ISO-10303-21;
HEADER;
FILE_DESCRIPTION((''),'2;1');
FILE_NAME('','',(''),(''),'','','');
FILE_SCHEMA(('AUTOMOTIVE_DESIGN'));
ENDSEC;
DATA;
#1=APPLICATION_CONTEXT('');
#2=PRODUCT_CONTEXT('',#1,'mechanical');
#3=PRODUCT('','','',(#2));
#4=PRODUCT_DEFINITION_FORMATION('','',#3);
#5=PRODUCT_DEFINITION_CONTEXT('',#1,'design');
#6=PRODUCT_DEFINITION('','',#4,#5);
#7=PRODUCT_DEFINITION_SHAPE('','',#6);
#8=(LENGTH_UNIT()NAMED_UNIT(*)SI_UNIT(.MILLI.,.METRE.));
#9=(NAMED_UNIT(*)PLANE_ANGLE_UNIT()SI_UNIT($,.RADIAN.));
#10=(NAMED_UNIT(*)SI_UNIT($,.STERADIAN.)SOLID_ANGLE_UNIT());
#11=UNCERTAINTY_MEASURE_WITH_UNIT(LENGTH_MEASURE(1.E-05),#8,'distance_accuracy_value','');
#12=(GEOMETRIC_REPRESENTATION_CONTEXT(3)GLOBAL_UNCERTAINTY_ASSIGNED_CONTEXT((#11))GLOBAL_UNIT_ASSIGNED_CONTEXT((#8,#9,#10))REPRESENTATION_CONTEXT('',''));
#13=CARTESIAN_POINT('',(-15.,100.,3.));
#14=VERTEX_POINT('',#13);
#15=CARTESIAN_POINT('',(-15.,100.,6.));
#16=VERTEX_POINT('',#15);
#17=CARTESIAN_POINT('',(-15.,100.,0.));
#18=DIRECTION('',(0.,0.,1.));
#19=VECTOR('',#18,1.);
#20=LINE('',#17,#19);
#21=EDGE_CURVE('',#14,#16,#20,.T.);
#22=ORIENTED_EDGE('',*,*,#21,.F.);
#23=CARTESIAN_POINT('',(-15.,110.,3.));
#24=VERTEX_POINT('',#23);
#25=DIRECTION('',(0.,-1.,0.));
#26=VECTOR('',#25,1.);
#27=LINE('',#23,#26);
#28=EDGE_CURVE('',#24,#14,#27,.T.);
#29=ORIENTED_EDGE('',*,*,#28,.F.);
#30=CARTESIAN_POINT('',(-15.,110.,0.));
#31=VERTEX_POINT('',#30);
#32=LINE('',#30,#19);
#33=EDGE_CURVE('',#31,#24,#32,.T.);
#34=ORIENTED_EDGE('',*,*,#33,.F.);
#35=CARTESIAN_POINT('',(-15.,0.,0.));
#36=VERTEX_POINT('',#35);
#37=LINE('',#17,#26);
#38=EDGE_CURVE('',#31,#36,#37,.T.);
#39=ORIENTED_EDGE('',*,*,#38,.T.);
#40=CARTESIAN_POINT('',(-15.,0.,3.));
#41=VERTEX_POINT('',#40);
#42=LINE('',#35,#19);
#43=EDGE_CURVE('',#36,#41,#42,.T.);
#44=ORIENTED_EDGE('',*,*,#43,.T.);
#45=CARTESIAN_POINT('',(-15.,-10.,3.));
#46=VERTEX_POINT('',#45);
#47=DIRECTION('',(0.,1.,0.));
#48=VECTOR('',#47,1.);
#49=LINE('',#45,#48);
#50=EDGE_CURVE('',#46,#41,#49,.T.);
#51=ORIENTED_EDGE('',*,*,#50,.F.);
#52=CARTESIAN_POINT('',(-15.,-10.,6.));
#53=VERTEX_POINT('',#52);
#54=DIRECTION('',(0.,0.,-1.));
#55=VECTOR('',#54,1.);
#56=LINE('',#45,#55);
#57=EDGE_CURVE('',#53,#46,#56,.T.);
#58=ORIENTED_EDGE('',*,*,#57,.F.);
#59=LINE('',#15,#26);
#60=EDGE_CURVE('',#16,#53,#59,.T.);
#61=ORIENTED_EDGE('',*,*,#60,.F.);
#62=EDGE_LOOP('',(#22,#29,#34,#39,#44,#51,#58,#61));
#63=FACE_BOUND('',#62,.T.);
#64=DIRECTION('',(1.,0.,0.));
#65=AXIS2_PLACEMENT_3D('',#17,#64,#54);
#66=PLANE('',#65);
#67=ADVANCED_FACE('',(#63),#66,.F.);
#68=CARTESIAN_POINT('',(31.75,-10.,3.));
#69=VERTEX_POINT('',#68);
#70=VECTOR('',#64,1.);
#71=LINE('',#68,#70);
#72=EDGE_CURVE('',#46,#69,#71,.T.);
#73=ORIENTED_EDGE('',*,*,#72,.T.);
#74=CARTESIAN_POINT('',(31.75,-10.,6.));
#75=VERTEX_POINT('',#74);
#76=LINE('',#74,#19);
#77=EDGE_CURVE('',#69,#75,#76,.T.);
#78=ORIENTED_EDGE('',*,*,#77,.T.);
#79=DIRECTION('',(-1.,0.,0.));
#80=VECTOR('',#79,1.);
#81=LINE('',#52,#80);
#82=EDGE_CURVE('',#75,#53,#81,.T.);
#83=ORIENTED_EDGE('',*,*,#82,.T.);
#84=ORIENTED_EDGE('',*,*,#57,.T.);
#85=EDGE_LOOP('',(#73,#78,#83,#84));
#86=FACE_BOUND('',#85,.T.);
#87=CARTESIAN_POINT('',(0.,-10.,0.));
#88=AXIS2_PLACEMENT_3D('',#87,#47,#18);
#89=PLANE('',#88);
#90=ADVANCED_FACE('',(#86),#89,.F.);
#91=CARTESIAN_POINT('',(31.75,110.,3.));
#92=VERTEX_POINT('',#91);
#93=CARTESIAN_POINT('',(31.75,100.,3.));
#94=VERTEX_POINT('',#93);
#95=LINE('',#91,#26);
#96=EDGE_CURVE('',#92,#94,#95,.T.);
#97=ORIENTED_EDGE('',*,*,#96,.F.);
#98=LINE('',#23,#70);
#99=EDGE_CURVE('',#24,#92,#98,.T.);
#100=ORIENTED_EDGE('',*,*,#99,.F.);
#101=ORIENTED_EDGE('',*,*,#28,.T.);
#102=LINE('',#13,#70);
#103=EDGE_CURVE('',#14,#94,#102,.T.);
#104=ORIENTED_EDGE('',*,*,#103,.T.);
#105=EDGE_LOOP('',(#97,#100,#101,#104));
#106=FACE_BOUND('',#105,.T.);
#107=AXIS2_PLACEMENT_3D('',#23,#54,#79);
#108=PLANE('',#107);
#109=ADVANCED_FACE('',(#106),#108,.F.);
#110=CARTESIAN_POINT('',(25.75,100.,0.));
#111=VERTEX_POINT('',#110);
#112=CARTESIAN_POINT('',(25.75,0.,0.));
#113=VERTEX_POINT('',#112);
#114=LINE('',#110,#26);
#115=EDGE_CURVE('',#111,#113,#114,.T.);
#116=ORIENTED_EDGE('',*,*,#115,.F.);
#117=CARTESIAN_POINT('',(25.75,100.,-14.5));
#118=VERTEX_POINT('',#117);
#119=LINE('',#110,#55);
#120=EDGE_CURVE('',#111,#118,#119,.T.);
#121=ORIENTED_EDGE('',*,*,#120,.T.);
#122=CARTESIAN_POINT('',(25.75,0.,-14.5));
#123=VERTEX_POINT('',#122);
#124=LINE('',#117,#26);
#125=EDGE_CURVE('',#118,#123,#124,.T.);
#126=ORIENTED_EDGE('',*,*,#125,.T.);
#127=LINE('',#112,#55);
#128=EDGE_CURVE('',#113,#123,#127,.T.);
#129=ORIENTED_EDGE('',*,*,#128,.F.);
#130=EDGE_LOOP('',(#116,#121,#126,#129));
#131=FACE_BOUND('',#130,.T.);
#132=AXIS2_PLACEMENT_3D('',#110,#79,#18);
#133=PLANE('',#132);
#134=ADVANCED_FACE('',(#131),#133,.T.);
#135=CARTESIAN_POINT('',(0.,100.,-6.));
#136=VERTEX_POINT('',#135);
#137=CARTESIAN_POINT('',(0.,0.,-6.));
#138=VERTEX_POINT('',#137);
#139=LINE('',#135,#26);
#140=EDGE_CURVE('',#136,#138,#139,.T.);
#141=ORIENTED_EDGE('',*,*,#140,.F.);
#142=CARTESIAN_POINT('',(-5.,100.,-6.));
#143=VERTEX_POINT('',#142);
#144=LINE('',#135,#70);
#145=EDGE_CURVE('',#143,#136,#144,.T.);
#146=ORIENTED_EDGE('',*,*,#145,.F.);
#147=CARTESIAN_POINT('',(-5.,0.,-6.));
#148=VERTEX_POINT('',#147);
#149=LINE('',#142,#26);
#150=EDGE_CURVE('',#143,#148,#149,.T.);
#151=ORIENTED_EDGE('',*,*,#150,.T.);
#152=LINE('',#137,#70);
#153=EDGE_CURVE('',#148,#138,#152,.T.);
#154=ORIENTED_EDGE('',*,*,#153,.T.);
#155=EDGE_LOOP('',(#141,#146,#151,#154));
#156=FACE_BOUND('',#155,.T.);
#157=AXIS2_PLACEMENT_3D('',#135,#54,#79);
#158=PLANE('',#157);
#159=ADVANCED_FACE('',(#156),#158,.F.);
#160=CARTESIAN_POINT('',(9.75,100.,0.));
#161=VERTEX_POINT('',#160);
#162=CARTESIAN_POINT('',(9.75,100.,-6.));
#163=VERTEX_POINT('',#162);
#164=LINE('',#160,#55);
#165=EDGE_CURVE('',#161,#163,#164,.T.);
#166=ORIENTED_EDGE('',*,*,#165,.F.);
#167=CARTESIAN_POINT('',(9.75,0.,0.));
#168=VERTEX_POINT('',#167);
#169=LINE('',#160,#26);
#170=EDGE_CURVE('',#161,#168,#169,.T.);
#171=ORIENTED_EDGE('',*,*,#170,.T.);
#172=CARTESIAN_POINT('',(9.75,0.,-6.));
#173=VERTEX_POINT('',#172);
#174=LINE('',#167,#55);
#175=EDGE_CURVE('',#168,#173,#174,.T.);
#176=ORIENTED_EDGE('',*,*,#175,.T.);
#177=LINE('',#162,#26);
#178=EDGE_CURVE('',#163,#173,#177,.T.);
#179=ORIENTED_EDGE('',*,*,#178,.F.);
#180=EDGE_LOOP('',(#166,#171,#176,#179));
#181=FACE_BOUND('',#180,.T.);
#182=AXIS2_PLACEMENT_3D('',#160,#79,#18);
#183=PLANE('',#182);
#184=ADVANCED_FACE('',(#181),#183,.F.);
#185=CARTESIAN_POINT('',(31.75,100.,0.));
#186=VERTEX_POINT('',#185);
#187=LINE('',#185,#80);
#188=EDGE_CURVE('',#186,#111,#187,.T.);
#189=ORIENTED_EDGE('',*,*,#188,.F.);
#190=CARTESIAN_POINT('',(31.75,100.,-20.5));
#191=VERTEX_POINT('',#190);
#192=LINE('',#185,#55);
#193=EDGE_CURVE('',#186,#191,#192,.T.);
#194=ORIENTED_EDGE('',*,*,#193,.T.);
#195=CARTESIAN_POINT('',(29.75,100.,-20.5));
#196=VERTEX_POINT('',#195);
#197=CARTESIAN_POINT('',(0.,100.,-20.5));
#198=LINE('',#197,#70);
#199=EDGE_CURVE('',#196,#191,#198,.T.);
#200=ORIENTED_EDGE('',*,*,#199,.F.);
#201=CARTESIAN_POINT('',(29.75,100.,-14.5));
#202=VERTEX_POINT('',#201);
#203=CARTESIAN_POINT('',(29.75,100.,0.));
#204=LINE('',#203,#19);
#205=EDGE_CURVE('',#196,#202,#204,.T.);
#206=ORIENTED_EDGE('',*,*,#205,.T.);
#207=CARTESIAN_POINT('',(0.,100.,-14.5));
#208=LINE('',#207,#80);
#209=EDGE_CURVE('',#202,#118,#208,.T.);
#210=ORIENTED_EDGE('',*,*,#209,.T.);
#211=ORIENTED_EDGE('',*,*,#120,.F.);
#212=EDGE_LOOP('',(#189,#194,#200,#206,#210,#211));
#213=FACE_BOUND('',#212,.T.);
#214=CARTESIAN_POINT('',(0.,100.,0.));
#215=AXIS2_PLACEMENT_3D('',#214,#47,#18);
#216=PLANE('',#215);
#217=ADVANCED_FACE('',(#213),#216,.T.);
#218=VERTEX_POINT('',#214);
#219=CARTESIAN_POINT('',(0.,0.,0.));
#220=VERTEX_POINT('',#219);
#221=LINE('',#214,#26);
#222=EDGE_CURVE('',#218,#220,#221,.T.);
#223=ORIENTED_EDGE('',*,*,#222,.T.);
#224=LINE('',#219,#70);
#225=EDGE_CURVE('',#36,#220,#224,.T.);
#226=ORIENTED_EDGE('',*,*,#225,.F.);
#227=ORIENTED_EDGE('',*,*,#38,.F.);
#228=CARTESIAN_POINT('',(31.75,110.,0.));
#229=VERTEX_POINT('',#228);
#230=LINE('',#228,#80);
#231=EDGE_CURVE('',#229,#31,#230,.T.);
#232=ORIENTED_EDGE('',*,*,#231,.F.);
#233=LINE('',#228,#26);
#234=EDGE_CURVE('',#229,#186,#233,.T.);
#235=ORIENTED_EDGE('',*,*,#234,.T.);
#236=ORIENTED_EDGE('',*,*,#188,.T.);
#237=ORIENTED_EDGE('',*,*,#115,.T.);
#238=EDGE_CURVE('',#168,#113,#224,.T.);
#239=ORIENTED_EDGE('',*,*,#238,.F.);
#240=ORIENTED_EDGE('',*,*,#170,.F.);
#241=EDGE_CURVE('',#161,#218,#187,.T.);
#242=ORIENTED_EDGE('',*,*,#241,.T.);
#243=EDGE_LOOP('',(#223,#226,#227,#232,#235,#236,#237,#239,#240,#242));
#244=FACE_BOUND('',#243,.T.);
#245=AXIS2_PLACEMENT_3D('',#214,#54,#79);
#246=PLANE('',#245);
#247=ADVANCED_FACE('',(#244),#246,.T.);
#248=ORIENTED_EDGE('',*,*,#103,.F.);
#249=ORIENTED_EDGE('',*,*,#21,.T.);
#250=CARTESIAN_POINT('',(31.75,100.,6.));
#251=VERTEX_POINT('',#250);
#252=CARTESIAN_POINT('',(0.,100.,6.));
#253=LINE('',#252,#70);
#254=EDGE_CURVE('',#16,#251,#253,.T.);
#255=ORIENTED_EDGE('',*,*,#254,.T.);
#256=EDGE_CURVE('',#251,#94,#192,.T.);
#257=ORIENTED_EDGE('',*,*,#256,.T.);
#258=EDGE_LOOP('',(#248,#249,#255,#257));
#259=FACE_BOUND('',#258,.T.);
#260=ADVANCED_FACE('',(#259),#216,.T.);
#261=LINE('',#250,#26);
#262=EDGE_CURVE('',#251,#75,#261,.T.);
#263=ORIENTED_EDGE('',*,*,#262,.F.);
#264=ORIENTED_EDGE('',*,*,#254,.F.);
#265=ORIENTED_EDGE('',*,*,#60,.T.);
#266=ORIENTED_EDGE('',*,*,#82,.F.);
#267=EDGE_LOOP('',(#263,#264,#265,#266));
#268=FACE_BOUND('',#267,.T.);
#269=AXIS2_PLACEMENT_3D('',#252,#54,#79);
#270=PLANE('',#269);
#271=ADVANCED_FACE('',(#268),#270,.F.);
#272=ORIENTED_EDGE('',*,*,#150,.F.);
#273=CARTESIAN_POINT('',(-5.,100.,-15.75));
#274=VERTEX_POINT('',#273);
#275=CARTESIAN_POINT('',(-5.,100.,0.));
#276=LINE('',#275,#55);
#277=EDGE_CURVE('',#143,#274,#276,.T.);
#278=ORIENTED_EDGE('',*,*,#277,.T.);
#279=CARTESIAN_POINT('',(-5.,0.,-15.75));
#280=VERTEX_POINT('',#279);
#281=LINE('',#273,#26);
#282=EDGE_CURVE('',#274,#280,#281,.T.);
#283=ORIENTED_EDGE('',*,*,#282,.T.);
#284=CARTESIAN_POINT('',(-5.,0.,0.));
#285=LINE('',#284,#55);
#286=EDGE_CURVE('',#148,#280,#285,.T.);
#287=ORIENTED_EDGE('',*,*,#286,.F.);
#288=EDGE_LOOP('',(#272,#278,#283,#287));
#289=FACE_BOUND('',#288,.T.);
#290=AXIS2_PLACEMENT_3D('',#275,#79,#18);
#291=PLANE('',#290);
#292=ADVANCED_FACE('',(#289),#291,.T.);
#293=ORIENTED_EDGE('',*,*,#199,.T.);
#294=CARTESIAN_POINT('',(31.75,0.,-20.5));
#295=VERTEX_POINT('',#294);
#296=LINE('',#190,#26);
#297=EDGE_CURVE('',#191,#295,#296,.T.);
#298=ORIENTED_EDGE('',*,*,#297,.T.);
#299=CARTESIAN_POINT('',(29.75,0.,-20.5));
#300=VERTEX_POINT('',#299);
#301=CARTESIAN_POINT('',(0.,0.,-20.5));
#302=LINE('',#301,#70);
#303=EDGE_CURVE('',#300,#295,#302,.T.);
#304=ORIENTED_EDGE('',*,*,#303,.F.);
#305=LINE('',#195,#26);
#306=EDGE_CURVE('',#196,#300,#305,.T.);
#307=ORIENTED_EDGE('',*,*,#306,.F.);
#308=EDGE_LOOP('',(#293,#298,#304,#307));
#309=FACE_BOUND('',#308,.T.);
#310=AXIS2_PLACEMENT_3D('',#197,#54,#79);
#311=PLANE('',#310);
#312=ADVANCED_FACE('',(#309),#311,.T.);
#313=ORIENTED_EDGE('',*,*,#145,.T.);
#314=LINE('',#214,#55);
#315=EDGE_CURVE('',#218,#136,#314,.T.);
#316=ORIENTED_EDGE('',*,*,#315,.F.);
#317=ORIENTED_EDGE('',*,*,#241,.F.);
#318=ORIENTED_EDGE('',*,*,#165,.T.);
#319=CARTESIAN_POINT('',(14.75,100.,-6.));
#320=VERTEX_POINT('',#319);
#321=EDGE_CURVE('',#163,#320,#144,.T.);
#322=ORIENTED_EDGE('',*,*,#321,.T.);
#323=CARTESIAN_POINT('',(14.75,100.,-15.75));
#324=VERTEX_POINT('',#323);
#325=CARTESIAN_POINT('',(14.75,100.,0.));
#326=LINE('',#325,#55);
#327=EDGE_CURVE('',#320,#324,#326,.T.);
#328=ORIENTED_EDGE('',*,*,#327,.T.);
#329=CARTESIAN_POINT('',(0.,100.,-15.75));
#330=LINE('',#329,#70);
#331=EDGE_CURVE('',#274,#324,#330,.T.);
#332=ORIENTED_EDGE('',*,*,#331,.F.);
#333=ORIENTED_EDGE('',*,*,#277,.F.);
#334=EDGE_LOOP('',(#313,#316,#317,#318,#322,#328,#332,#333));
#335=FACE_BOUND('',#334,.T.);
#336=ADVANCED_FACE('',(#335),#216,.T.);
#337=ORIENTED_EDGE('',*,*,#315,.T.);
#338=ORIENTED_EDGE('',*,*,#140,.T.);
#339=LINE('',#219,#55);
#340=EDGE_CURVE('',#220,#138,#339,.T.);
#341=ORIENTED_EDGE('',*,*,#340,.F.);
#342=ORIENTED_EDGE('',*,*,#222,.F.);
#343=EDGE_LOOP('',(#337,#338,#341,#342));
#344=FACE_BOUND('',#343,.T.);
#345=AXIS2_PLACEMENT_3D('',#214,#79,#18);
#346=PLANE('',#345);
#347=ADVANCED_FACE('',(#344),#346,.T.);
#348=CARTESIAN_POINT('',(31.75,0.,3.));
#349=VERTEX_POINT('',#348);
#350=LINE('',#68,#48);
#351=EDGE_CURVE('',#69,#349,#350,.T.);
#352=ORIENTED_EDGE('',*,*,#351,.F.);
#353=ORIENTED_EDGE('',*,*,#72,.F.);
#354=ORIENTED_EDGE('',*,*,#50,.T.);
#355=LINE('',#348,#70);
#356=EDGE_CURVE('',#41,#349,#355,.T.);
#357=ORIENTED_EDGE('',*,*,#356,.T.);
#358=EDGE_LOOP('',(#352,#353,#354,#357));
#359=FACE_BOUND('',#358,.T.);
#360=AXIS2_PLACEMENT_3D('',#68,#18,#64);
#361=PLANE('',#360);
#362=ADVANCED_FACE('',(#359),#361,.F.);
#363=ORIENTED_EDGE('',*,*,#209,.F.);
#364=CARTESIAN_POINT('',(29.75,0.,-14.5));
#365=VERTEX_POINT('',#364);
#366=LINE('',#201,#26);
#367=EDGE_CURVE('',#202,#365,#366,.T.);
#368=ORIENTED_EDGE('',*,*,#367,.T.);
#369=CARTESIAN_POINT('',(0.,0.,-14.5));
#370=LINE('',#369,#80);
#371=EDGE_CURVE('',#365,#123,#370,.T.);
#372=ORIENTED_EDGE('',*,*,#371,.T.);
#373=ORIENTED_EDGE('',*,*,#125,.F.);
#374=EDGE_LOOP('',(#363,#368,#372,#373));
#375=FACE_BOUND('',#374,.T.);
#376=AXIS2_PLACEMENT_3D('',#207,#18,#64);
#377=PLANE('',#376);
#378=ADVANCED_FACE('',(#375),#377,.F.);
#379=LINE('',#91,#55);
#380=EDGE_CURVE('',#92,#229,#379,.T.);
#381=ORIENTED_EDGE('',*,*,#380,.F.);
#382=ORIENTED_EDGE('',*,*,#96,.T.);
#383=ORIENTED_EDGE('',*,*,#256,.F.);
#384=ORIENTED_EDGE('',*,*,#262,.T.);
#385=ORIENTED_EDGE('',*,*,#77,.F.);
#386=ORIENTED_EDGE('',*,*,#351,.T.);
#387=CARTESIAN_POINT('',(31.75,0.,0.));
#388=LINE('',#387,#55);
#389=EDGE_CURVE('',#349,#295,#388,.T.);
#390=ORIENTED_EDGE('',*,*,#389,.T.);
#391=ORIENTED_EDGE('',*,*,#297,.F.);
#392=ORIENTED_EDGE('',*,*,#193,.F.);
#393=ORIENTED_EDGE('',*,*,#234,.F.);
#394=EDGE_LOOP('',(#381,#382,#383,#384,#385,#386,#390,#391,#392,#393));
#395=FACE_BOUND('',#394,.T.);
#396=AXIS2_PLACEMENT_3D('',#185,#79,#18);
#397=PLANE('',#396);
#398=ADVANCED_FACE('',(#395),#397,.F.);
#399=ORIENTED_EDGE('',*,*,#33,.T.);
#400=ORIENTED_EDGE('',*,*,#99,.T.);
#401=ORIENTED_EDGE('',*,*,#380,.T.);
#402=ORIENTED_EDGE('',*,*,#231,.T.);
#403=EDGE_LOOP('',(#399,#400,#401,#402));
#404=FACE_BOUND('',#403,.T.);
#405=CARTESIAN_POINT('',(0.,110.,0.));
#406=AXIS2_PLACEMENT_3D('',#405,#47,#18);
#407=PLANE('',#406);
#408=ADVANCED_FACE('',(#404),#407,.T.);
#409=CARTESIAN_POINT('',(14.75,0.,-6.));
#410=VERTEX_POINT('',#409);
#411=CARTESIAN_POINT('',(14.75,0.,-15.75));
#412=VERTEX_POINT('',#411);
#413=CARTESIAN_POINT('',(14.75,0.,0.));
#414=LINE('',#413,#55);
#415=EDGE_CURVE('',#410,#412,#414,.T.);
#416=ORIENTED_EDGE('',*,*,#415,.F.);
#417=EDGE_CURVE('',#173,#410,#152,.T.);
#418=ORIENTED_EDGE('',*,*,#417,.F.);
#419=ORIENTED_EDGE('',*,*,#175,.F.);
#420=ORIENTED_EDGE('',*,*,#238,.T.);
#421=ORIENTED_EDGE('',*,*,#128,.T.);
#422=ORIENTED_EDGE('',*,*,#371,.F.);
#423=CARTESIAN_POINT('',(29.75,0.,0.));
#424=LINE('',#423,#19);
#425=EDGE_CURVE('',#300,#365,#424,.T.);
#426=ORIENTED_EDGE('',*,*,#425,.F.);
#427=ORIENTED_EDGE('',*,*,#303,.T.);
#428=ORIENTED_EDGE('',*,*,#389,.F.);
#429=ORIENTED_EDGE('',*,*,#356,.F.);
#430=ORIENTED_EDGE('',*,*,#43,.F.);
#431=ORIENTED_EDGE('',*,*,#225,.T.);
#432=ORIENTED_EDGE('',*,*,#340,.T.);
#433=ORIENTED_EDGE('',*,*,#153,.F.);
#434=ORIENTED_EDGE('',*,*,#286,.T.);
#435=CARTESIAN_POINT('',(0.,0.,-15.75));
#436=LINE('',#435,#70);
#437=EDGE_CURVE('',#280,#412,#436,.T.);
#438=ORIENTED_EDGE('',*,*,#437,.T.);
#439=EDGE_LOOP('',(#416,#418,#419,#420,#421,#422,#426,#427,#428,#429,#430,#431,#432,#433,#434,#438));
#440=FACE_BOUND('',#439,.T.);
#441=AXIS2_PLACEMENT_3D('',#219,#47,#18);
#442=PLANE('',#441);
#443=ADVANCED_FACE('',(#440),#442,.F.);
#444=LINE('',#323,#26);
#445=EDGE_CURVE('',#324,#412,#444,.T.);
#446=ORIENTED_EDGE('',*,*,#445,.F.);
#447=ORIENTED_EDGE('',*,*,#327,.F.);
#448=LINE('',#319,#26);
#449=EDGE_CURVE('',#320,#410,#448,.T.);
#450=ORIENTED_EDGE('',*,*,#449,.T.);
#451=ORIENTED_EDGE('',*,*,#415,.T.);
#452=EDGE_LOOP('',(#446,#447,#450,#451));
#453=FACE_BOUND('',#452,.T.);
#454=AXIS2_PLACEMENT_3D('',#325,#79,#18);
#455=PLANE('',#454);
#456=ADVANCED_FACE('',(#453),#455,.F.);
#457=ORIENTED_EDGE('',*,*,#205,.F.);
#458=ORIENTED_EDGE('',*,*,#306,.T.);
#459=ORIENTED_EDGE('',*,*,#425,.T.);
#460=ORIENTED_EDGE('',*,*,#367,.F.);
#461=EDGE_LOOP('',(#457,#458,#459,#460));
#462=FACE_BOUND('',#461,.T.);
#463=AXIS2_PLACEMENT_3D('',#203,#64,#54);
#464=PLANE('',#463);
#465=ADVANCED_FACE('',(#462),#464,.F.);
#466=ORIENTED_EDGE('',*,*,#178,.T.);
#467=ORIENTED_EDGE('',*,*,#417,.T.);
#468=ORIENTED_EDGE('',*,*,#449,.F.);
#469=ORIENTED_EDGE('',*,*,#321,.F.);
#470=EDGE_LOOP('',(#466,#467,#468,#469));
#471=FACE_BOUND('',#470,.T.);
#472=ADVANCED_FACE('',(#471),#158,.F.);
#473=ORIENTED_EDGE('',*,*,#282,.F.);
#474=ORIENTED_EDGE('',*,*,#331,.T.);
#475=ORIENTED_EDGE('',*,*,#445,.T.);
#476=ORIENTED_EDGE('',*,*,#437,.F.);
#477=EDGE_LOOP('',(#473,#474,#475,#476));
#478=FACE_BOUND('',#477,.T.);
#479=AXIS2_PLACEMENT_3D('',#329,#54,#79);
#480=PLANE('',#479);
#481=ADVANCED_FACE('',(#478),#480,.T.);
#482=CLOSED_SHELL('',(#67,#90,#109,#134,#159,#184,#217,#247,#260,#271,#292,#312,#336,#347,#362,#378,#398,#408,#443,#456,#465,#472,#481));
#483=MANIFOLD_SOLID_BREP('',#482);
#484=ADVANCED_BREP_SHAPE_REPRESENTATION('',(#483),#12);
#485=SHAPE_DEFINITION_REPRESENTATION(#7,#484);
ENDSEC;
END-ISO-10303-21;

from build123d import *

# Parameters (mm, degrees)
BOSS_EXTRUDE1_DEPTH = 100
SKETCH2_W           = 46.75
SKETCH2_H           = 3
BOSS_EXTRUDE2_DEPTH = 10
SKETCH3_W           = 46.75
SKETCH3_H           = 3
BOSS_EXTRUDE3_DEPTH = 10


with BuildPart() as part:
    # Sketch1 → Boss-Extrude1 (new body)
    with BuildSketch(Plane(origin=(0, 0, 0), x_dir=(1, 0, 0), z_dir=(0, 1, 0))):
        Polygon((0, 6), (0, 0), (-15, 0), (-15, -6), (4.875, -6), (4.875, 15.75), (-5, 15.75), (-5, 6), align=None)
        Polygon((4.875, 15.75), (4.875, -6), (24.75, -6), (31.75, -6), (31.75, 20.5), (29.75, 20.5), (29.75, 14.5), (25.75, 14.5), (25.75, 0), (9.75, 0), (9.75, 6), (14.75, 6), (14.75, 15.75), align=None)
    extrude(amount=BOSS_EXTRUDE1_DEPTH)

    # Sketch2 → Boss-Extrude2 (add)
    with BuildSketch(Plane.XZ):
        with Locations((8.375, 4.5)):
            Rectangle(SKETCH2_W, SKETCH2_H)
    extrude(amount=BOSS_EXTRUDE2_DEPTH)

    # Sketch3 → Boss-Extrude3 (add)
    with BuildSketch(Plane(origin=(0, 100, 0), x_dir=(1, 0, 0), z_dir=(0, 1, 0))):
        with Locations((8.375, -1.5)):
            Rectangle(SKETCH3_W, SKETCH3_H)
    extrude(amount=BOSS_EXTRUDE3_DEPTH)


solid = part.part
